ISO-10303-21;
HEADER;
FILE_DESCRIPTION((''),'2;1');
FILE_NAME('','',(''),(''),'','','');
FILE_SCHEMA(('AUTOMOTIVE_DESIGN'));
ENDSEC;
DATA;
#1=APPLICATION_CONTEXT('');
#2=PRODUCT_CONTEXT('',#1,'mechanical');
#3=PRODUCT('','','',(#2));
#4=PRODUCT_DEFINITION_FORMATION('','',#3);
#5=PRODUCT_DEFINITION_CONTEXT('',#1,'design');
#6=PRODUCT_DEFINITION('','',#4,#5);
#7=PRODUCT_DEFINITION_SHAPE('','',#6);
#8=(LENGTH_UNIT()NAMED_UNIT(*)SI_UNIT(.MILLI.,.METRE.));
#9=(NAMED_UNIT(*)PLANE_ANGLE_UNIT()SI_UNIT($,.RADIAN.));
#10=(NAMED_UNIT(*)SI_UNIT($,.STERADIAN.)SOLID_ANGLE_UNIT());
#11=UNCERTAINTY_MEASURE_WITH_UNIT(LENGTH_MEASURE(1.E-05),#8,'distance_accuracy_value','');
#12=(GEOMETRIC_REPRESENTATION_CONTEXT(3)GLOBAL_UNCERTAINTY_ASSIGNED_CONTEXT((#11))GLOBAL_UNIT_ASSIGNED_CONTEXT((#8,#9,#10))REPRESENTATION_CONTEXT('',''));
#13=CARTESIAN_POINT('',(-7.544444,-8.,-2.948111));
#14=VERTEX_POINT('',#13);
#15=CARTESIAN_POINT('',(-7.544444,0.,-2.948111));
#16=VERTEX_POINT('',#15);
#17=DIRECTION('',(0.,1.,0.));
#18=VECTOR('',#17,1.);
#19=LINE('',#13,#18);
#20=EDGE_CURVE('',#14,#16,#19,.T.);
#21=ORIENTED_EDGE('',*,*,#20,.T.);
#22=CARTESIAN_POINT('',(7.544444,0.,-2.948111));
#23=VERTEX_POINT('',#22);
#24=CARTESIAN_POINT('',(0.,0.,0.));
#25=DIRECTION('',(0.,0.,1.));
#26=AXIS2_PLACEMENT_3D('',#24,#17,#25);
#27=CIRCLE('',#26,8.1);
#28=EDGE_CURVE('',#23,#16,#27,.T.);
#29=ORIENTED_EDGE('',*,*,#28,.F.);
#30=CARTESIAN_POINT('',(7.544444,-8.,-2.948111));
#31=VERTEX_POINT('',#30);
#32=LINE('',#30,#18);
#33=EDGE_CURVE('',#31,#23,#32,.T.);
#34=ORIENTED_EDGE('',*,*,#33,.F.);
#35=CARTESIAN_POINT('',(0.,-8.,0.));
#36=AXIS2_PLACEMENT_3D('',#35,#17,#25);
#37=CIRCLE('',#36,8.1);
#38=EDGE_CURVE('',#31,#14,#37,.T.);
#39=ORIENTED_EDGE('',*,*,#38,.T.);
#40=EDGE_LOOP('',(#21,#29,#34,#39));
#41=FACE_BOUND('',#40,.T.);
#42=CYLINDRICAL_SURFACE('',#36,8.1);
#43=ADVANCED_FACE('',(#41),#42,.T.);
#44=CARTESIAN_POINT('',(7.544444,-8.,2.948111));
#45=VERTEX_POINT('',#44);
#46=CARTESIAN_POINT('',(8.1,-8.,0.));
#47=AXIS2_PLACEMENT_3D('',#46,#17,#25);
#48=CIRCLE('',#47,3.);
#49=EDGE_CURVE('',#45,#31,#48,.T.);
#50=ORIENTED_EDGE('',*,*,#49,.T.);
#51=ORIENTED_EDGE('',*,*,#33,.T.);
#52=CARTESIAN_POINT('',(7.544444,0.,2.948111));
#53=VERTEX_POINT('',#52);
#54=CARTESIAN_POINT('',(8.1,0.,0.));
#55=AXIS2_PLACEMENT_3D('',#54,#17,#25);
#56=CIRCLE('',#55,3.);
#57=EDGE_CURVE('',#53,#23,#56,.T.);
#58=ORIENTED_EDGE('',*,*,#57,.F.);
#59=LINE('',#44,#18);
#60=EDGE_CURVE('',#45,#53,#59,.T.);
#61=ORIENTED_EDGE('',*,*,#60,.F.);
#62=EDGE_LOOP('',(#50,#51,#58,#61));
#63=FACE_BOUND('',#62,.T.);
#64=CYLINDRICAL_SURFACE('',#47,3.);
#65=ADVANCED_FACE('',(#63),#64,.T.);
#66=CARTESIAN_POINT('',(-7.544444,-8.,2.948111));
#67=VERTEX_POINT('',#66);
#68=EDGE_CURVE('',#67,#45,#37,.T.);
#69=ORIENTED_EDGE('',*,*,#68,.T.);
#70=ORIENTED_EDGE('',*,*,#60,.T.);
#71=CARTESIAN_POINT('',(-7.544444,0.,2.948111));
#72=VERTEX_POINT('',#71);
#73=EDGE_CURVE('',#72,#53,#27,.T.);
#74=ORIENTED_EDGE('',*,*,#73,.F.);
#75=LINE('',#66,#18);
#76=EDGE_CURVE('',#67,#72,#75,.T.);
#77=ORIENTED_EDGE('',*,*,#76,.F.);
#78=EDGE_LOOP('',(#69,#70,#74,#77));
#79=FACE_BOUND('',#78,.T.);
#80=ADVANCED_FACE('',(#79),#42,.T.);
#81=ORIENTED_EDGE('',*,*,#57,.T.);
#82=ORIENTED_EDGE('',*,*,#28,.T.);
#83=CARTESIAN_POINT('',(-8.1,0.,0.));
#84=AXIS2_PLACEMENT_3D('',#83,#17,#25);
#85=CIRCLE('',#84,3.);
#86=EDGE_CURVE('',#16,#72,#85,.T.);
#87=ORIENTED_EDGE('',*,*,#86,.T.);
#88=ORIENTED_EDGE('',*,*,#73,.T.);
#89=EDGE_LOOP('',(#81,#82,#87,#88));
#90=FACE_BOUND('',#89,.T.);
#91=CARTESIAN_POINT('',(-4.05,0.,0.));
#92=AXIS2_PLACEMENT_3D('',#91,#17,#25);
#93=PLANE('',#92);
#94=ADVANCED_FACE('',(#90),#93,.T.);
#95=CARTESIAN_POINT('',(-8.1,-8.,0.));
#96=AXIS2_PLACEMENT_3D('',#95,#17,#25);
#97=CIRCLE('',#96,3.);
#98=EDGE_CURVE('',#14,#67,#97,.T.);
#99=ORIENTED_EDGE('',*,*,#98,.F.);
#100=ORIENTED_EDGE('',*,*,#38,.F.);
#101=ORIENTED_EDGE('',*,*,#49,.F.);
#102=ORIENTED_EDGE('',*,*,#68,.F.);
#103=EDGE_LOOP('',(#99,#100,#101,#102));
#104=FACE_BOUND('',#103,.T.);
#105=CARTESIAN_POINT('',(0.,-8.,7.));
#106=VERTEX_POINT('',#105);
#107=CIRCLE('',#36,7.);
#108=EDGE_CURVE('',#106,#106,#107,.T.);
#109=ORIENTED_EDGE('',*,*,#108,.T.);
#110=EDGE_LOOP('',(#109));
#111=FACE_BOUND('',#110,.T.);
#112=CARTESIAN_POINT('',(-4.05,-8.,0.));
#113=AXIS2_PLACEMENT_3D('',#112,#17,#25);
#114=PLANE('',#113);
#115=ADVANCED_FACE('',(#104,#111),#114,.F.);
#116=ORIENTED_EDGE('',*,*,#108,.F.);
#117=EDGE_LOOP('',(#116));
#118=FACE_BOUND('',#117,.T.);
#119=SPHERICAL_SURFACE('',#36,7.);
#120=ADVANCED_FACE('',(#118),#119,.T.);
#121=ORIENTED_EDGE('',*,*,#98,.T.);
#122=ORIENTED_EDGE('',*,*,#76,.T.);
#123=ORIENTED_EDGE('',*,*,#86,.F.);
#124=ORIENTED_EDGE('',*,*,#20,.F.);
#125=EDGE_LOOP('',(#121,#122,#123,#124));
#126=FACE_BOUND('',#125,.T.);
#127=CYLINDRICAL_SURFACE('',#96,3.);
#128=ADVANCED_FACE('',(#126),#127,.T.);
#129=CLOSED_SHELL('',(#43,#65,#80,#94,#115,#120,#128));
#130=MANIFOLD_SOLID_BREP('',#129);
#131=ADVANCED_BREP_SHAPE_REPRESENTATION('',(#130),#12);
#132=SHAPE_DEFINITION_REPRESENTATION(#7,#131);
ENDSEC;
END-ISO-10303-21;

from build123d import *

# Parameters (mm, degrees)
BOSS_EXTRUDE1_DEPTH = 8


with BuildPart() as part:
    # Sketch2 → Boss-Extrude1 (new body)
    with BuildSketch(Plane(origin=(0, 0, 0), x_dir=(1, 0, 0), z_dir=(0, 1, 0))):
        with BuildLine():
            ThreePointArc((-7.544444444, -2.948110925), (0, -8.1), (7.544444444, -2.948110925))
            ThreePointArc((7.544444444, -2.948110925), (11.1, 0), (7.544444444, 2.948110925))
            ThreePointArc((7.544444444, 2.948110925), (0, 8.1), (-7.544444444, 2.948110925))
            ThreePointArc((-7.544444444, 2.948110925), (-11.1, 0), (-7.544444444, -2.948110925))
        make_face()
    extrude(amount=-BOSS_EXTRUDE1_DEPTH)

    # Sketch3 → Revolve1 (revolve)
    with BuildSketch(Plane.XZ.offset(8)):
        with BuildLine():
            Line((0, 7), (0, -7))
            ThreePointArc((0, -7), (-7, 0), (0, 7))
        make_face()
    revolve(axis=Axis((0, -8, 7), (0, 0, -1)))


solid = part.part
